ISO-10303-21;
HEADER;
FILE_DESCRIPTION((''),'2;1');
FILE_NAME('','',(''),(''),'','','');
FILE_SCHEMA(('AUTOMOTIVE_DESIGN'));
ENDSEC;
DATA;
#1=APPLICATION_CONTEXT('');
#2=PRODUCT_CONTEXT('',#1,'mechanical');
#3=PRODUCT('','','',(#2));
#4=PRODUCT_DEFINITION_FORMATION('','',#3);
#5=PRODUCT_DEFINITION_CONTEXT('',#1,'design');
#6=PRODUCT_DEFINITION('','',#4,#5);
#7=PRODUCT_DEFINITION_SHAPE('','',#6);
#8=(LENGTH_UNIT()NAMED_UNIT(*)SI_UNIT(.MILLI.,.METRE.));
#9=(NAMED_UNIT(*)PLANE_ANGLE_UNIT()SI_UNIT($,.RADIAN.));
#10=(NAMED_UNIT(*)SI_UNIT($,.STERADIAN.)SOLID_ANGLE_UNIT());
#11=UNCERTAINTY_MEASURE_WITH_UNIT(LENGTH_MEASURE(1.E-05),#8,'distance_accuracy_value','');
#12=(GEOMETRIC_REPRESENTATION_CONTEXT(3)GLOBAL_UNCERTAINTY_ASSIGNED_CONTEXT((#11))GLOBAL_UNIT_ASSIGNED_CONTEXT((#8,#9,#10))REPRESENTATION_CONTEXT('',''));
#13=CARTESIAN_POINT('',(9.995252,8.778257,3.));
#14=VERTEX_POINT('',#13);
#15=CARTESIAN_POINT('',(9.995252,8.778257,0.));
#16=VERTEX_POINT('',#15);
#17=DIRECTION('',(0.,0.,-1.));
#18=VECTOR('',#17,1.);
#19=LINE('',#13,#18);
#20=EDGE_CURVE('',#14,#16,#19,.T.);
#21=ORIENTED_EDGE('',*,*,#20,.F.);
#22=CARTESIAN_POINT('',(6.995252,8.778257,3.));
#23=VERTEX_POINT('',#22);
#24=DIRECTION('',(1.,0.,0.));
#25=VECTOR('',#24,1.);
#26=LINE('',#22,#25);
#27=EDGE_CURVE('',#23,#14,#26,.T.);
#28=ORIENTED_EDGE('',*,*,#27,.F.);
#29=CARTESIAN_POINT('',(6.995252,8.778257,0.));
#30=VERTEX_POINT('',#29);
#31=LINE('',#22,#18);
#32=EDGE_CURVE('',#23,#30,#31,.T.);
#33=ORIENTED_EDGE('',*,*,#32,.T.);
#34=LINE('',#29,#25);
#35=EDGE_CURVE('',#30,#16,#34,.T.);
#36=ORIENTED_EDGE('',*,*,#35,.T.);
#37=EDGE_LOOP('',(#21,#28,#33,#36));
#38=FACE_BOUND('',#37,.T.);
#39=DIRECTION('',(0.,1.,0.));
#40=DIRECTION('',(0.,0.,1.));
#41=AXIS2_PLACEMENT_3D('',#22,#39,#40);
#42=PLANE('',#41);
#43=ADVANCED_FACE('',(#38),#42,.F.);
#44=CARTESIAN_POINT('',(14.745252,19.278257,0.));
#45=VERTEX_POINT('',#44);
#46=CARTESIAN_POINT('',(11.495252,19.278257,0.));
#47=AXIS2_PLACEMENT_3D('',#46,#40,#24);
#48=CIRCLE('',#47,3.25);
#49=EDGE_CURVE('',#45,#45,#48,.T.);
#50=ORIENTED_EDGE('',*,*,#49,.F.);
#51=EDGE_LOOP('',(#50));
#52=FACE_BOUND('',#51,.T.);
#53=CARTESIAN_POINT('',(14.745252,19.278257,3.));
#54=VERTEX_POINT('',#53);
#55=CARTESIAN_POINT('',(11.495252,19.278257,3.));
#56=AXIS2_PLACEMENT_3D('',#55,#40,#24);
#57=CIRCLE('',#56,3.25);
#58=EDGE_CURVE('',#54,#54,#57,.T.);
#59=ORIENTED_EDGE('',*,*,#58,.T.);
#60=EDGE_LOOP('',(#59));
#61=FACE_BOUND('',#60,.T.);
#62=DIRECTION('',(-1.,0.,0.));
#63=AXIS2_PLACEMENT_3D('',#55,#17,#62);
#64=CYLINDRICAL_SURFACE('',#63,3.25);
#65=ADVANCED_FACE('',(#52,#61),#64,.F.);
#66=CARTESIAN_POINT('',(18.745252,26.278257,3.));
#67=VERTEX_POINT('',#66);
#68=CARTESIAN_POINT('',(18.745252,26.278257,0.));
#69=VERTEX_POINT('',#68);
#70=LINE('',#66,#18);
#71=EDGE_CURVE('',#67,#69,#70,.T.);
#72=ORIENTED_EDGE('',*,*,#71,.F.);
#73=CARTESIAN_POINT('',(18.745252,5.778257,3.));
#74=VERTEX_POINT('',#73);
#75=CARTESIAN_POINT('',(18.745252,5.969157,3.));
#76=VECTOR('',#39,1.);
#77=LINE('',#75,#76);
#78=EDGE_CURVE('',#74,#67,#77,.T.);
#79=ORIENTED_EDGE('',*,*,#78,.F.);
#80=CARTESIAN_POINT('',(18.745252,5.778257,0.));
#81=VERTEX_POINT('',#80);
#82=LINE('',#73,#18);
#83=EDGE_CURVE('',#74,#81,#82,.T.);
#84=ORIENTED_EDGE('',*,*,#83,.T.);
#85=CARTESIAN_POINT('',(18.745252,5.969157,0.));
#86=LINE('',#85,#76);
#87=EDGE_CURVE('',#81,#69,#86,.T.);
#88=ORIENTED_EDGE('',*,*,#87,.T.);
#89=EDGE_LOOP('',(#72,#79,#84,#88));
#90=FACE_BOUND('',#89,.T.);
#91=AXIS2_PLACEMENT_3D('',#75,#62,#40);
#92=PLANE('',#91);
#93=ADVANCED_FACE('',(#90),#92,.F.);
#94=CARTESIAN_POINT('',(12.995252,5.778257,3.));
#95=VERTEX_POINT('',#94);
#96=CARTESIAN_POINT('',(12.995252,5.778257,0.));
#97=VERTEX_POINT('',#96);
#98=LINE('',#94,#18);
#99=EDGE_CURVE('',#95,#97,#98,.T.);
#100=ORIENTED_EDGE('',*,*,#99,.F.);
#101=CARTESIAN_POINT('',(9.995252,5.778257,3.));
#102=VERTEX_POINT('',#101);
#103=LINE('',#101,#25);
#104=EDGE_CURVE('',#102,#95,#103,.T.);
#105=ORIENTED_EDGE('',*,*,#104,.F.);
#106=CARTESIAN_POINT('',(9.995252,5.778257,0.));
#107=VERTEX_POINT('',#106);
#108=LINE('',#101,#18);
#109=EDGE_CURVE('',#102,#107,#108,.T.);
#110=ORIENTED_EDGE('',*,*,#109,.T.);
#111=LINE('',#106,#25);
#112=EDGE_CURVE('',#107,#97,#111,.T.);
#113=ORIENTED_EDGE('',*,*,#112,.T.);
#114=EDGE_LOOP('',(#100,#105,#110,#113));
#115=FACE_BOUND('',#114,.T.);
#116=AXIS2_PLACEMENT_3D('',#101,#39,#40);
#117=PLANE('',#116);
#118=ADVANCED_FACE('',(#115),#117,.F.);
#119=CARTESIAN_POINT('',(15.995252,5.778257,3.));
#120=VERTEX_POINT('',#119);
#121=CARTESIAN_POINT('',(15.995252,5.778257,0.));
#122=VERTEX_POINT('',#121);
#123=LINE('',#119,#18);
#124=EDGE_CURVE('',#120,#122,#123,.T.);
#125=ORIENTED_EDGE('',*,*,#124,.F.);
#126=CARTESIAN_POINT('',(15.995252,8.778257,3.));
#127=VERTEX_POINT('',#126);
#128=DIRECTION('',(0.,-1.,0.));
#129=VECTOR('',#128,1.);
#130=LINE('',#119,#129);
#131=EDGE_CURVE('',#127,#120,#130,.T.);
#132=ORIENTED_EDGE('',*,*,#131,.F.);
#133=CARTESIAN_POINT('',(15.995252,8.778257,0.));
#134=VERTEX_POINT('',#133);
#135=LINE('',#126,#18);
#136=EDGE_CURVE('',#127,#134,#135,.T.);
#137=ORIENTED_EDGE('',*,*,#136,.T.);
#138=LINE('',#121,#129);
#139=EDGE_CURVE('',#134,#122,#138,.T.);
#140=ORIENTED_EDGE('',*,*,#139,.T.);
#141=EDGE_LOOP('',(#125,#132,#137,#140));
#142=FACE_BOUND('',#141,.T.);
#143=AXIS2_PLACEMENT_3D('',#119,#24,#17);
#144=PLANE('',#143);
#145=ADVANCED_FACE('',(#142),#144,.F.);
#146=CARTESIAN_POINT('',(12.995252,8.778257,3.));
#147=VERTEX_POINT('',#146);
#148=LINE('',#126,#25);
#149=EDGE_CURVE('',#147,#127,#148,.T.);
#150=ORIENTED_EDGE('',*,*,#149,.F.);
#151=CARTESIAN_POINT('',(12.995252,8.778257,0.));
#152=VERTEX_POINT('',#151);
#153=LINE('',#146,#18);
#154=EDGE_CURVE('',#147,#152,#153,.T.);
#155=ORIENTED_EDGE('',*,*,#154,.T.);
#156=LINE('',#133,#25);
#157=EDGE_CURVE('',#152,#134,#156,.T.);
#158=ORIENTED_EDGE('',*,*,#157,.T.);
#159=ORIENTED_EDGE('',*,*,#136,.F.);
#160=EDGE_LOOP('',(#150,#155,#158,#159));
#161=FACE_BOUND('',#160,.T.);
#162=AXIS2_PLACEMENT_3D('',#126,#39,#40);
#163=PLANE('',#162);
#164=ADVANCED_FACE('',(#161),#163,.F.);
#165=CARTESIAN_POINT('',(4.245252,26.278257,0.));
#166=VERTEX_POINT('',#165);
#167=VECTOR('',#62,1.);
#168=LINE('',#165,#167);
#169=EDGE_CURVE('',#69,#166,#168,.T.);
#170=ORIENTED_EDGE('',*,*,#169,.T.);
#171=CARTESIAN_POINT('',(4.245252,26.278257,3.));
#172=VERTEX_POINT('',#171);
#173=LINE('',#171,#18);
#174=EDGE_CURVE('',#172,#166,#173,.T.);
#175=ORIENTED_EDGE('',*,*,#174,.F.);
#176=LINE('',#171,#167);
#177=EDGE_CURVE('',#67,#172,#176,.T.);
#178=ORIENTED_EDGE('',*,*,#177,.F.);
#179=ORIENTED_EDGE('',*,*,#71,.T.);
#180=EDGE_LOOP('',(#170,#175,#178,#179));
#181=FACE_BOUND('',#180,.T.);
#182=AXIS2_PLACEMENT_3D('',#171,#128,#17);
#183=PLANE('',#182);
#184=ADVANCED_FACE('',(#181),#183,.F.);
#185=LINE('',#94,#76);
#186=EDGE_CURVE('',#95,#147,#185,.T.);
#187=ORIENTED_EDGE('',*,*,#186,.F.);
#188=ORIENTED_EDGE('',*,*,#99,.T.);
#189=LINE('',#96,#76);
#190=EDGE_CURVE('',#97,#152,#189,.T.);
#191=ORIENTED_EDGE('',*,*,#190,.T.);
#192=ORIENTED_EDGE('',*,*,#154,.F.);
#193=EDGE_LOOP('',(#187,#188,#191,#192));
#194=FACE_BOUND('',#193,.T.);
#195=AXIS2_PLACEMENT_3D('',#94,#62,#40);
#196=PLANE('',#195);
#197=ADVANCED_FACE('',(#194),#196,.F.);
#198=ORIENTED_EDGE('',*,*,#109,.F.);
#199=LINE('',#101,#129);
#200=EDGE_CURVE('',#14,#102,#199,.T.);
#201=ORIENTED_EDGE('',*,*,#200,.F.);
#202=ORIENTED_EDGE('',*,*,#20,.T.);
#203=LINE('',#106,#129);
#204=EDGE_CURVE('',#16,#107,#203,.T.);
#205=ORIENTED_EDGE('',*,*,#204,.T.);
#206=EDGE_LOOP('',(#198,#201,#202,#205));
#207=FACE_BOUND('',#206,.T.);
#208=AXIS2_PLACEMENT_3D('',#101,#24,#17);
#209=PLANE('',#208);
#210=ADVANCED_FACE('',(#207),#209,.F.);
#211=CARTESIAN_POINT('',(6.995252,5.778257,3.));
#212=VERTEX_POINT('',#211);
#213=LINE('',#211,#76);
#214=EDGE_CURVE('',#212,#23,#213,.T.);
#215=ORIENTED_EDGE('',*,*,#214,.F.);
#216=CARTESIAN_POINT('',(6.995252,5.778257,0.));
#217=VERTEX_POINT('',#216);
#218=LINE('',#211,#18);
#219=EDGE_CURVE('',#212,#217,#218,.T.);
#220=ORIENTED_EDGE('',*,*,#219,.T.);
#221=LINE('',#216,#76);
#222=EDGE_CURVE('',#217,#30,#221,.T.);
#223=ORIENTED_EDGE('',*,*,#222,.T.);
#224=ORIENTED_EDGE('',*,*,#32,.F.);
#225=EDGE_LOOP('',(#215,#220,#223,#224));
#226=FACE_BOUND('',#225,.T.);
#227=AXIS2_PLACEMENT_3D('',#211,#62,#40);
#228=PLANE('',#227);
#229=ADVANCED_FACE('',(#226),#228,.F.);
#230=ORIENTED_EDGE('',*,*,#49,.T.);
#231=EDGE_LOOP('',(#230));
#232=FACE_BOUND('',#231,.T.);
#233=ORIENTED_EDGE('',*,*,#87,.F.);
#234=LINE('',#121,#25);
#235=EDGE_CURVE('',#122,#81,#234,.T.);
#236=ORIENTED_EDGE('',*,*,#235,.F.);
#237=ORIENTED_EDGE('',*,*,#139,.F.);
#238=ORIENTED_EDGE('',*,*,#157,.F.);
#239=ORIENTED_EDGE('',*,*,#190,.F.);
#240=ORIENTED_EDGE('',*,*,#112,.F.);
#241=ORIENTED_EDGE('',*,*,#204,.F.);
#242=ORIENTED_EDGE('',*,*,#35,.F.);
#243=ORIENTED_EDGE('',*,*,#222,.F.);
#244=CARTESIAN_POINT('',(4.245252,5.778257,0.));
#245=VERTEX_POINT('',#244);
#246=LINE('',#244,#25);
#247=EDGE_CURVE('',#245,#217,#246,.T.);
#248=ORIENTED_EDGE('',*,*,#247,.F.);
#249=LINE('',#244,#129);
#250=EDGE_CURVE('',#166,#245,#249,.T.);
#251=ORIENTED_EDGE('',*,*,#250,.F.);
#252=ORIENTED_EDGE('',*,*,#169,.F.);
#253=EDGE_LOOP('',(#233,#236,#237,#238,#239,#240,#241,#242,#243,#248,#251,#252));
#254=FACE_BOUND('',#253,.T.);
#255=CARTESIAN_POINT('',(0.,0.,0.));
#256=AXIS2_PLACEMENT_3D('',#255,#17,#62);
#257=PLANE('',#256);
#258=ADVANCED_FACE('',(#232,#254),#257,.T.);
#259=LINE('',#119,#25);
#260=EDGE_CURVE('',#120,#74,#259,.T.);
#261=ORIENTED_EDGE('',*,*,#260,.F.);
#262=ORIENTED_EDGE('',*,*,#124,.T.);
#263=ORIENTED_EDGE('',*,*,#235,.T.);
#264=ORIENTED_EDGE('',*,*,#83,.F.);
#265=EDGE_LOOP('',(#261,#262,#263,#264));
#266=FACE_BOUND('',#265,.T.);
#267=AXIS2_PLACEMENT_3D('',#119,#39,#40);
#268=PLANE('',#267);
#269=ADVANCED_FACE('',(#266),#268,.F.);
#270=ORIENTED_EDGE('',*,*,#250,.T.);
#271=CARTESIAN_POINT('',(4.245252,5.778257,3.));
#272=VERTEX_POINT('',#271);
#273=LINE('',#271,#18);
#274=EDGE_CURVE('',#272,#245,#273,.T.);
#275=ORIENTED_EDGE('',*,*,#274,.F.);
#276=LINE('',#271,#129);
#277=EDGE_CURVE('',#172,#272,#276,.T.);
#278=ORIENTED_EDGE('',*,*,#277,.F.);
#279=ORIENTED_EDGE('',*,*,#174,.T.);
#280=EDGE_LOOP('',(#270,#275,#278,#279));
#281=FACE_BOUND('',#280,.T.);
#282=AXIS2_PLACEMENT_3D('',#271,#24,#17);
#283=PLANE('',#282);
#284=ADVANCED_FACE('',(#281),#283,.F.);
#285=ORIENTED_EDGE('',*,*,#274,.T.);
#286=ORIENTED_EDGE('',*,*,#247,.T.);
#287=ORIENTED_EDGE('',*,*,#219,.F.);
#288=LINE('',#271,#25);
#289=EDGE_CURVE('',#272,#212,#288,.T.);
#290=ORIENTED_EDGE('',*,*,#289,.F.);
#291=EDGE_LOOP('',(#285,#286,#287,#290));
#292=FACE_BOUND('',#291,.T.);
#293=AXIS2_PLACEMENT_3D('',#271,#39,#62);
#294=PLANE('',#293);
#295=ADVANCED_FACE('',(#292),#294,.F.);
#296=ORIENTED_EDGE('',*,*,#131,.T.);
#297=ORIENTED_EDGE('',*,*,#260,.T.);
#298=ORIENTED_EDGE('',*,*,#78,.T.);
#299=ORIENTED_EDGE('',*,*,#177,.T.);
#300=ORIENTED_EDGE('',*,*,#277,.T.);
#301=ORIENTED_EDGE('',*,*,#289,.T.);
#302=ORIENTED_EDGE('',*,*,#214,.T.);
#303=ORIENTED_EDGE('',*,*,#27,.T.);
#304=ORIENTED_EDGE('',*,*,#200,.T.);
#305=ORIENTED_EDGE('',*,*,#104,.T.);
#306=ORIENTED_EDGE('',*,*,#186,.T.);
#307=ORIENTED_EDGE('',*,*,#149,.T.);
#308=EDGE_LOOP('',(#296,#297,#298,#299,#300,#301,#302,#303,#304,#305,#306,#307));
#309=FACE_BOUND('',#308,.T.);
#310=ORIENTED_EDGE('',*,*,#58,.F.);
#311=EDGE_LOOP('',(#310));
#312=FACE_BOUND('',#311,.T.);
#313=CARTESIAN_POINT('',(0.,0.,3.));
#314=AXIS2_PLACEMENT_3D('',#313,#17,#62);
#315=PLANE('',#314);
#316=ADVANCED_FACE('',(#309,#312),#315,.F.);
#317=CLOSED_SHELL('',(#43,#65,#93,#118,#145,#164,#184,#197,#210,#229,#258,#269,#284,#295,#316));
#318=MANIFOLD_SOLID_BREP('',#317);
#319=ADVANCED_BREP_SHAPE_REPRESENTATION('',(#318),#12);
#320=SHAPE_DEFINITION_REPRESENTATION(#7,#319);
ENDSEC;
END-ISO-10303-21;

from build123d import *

# Parameters (mm, degrees)
SKETCH1_R           = 3.25
BOSS_EXTRUDE1_DEPTH = 3


with BuildPart() as part:
    # Sketch1 → Boss-Extrude1 (new body)
    with BuildSketch(Plane.XY):
        Polygon((4.245252181, 5.778256787), (4.245252181, 26.278256787), (18.745252181, 26.278256787), (18.745252181, 5.969156991), (18.745252181, 5.778256787), (15.995252181, 5.778256787), (15.995252181, 8.778256787), (12.995252181, 8.778256787), (12.995252181, 5.778256787), (9.995252181, 5.778256787), (9.995252181, 8.778256787), (6.995252181, 8.778256787), (6.995252181, 5.778256787), align=None)
        with Locations((11.495252181, 19.278256787)):
            Circle(SKETCH1_R, mode=Mode.SUBTRACT)
    extrude(amount=BOSS_EXTRUDE1_DEPTH)


solid = part.part
